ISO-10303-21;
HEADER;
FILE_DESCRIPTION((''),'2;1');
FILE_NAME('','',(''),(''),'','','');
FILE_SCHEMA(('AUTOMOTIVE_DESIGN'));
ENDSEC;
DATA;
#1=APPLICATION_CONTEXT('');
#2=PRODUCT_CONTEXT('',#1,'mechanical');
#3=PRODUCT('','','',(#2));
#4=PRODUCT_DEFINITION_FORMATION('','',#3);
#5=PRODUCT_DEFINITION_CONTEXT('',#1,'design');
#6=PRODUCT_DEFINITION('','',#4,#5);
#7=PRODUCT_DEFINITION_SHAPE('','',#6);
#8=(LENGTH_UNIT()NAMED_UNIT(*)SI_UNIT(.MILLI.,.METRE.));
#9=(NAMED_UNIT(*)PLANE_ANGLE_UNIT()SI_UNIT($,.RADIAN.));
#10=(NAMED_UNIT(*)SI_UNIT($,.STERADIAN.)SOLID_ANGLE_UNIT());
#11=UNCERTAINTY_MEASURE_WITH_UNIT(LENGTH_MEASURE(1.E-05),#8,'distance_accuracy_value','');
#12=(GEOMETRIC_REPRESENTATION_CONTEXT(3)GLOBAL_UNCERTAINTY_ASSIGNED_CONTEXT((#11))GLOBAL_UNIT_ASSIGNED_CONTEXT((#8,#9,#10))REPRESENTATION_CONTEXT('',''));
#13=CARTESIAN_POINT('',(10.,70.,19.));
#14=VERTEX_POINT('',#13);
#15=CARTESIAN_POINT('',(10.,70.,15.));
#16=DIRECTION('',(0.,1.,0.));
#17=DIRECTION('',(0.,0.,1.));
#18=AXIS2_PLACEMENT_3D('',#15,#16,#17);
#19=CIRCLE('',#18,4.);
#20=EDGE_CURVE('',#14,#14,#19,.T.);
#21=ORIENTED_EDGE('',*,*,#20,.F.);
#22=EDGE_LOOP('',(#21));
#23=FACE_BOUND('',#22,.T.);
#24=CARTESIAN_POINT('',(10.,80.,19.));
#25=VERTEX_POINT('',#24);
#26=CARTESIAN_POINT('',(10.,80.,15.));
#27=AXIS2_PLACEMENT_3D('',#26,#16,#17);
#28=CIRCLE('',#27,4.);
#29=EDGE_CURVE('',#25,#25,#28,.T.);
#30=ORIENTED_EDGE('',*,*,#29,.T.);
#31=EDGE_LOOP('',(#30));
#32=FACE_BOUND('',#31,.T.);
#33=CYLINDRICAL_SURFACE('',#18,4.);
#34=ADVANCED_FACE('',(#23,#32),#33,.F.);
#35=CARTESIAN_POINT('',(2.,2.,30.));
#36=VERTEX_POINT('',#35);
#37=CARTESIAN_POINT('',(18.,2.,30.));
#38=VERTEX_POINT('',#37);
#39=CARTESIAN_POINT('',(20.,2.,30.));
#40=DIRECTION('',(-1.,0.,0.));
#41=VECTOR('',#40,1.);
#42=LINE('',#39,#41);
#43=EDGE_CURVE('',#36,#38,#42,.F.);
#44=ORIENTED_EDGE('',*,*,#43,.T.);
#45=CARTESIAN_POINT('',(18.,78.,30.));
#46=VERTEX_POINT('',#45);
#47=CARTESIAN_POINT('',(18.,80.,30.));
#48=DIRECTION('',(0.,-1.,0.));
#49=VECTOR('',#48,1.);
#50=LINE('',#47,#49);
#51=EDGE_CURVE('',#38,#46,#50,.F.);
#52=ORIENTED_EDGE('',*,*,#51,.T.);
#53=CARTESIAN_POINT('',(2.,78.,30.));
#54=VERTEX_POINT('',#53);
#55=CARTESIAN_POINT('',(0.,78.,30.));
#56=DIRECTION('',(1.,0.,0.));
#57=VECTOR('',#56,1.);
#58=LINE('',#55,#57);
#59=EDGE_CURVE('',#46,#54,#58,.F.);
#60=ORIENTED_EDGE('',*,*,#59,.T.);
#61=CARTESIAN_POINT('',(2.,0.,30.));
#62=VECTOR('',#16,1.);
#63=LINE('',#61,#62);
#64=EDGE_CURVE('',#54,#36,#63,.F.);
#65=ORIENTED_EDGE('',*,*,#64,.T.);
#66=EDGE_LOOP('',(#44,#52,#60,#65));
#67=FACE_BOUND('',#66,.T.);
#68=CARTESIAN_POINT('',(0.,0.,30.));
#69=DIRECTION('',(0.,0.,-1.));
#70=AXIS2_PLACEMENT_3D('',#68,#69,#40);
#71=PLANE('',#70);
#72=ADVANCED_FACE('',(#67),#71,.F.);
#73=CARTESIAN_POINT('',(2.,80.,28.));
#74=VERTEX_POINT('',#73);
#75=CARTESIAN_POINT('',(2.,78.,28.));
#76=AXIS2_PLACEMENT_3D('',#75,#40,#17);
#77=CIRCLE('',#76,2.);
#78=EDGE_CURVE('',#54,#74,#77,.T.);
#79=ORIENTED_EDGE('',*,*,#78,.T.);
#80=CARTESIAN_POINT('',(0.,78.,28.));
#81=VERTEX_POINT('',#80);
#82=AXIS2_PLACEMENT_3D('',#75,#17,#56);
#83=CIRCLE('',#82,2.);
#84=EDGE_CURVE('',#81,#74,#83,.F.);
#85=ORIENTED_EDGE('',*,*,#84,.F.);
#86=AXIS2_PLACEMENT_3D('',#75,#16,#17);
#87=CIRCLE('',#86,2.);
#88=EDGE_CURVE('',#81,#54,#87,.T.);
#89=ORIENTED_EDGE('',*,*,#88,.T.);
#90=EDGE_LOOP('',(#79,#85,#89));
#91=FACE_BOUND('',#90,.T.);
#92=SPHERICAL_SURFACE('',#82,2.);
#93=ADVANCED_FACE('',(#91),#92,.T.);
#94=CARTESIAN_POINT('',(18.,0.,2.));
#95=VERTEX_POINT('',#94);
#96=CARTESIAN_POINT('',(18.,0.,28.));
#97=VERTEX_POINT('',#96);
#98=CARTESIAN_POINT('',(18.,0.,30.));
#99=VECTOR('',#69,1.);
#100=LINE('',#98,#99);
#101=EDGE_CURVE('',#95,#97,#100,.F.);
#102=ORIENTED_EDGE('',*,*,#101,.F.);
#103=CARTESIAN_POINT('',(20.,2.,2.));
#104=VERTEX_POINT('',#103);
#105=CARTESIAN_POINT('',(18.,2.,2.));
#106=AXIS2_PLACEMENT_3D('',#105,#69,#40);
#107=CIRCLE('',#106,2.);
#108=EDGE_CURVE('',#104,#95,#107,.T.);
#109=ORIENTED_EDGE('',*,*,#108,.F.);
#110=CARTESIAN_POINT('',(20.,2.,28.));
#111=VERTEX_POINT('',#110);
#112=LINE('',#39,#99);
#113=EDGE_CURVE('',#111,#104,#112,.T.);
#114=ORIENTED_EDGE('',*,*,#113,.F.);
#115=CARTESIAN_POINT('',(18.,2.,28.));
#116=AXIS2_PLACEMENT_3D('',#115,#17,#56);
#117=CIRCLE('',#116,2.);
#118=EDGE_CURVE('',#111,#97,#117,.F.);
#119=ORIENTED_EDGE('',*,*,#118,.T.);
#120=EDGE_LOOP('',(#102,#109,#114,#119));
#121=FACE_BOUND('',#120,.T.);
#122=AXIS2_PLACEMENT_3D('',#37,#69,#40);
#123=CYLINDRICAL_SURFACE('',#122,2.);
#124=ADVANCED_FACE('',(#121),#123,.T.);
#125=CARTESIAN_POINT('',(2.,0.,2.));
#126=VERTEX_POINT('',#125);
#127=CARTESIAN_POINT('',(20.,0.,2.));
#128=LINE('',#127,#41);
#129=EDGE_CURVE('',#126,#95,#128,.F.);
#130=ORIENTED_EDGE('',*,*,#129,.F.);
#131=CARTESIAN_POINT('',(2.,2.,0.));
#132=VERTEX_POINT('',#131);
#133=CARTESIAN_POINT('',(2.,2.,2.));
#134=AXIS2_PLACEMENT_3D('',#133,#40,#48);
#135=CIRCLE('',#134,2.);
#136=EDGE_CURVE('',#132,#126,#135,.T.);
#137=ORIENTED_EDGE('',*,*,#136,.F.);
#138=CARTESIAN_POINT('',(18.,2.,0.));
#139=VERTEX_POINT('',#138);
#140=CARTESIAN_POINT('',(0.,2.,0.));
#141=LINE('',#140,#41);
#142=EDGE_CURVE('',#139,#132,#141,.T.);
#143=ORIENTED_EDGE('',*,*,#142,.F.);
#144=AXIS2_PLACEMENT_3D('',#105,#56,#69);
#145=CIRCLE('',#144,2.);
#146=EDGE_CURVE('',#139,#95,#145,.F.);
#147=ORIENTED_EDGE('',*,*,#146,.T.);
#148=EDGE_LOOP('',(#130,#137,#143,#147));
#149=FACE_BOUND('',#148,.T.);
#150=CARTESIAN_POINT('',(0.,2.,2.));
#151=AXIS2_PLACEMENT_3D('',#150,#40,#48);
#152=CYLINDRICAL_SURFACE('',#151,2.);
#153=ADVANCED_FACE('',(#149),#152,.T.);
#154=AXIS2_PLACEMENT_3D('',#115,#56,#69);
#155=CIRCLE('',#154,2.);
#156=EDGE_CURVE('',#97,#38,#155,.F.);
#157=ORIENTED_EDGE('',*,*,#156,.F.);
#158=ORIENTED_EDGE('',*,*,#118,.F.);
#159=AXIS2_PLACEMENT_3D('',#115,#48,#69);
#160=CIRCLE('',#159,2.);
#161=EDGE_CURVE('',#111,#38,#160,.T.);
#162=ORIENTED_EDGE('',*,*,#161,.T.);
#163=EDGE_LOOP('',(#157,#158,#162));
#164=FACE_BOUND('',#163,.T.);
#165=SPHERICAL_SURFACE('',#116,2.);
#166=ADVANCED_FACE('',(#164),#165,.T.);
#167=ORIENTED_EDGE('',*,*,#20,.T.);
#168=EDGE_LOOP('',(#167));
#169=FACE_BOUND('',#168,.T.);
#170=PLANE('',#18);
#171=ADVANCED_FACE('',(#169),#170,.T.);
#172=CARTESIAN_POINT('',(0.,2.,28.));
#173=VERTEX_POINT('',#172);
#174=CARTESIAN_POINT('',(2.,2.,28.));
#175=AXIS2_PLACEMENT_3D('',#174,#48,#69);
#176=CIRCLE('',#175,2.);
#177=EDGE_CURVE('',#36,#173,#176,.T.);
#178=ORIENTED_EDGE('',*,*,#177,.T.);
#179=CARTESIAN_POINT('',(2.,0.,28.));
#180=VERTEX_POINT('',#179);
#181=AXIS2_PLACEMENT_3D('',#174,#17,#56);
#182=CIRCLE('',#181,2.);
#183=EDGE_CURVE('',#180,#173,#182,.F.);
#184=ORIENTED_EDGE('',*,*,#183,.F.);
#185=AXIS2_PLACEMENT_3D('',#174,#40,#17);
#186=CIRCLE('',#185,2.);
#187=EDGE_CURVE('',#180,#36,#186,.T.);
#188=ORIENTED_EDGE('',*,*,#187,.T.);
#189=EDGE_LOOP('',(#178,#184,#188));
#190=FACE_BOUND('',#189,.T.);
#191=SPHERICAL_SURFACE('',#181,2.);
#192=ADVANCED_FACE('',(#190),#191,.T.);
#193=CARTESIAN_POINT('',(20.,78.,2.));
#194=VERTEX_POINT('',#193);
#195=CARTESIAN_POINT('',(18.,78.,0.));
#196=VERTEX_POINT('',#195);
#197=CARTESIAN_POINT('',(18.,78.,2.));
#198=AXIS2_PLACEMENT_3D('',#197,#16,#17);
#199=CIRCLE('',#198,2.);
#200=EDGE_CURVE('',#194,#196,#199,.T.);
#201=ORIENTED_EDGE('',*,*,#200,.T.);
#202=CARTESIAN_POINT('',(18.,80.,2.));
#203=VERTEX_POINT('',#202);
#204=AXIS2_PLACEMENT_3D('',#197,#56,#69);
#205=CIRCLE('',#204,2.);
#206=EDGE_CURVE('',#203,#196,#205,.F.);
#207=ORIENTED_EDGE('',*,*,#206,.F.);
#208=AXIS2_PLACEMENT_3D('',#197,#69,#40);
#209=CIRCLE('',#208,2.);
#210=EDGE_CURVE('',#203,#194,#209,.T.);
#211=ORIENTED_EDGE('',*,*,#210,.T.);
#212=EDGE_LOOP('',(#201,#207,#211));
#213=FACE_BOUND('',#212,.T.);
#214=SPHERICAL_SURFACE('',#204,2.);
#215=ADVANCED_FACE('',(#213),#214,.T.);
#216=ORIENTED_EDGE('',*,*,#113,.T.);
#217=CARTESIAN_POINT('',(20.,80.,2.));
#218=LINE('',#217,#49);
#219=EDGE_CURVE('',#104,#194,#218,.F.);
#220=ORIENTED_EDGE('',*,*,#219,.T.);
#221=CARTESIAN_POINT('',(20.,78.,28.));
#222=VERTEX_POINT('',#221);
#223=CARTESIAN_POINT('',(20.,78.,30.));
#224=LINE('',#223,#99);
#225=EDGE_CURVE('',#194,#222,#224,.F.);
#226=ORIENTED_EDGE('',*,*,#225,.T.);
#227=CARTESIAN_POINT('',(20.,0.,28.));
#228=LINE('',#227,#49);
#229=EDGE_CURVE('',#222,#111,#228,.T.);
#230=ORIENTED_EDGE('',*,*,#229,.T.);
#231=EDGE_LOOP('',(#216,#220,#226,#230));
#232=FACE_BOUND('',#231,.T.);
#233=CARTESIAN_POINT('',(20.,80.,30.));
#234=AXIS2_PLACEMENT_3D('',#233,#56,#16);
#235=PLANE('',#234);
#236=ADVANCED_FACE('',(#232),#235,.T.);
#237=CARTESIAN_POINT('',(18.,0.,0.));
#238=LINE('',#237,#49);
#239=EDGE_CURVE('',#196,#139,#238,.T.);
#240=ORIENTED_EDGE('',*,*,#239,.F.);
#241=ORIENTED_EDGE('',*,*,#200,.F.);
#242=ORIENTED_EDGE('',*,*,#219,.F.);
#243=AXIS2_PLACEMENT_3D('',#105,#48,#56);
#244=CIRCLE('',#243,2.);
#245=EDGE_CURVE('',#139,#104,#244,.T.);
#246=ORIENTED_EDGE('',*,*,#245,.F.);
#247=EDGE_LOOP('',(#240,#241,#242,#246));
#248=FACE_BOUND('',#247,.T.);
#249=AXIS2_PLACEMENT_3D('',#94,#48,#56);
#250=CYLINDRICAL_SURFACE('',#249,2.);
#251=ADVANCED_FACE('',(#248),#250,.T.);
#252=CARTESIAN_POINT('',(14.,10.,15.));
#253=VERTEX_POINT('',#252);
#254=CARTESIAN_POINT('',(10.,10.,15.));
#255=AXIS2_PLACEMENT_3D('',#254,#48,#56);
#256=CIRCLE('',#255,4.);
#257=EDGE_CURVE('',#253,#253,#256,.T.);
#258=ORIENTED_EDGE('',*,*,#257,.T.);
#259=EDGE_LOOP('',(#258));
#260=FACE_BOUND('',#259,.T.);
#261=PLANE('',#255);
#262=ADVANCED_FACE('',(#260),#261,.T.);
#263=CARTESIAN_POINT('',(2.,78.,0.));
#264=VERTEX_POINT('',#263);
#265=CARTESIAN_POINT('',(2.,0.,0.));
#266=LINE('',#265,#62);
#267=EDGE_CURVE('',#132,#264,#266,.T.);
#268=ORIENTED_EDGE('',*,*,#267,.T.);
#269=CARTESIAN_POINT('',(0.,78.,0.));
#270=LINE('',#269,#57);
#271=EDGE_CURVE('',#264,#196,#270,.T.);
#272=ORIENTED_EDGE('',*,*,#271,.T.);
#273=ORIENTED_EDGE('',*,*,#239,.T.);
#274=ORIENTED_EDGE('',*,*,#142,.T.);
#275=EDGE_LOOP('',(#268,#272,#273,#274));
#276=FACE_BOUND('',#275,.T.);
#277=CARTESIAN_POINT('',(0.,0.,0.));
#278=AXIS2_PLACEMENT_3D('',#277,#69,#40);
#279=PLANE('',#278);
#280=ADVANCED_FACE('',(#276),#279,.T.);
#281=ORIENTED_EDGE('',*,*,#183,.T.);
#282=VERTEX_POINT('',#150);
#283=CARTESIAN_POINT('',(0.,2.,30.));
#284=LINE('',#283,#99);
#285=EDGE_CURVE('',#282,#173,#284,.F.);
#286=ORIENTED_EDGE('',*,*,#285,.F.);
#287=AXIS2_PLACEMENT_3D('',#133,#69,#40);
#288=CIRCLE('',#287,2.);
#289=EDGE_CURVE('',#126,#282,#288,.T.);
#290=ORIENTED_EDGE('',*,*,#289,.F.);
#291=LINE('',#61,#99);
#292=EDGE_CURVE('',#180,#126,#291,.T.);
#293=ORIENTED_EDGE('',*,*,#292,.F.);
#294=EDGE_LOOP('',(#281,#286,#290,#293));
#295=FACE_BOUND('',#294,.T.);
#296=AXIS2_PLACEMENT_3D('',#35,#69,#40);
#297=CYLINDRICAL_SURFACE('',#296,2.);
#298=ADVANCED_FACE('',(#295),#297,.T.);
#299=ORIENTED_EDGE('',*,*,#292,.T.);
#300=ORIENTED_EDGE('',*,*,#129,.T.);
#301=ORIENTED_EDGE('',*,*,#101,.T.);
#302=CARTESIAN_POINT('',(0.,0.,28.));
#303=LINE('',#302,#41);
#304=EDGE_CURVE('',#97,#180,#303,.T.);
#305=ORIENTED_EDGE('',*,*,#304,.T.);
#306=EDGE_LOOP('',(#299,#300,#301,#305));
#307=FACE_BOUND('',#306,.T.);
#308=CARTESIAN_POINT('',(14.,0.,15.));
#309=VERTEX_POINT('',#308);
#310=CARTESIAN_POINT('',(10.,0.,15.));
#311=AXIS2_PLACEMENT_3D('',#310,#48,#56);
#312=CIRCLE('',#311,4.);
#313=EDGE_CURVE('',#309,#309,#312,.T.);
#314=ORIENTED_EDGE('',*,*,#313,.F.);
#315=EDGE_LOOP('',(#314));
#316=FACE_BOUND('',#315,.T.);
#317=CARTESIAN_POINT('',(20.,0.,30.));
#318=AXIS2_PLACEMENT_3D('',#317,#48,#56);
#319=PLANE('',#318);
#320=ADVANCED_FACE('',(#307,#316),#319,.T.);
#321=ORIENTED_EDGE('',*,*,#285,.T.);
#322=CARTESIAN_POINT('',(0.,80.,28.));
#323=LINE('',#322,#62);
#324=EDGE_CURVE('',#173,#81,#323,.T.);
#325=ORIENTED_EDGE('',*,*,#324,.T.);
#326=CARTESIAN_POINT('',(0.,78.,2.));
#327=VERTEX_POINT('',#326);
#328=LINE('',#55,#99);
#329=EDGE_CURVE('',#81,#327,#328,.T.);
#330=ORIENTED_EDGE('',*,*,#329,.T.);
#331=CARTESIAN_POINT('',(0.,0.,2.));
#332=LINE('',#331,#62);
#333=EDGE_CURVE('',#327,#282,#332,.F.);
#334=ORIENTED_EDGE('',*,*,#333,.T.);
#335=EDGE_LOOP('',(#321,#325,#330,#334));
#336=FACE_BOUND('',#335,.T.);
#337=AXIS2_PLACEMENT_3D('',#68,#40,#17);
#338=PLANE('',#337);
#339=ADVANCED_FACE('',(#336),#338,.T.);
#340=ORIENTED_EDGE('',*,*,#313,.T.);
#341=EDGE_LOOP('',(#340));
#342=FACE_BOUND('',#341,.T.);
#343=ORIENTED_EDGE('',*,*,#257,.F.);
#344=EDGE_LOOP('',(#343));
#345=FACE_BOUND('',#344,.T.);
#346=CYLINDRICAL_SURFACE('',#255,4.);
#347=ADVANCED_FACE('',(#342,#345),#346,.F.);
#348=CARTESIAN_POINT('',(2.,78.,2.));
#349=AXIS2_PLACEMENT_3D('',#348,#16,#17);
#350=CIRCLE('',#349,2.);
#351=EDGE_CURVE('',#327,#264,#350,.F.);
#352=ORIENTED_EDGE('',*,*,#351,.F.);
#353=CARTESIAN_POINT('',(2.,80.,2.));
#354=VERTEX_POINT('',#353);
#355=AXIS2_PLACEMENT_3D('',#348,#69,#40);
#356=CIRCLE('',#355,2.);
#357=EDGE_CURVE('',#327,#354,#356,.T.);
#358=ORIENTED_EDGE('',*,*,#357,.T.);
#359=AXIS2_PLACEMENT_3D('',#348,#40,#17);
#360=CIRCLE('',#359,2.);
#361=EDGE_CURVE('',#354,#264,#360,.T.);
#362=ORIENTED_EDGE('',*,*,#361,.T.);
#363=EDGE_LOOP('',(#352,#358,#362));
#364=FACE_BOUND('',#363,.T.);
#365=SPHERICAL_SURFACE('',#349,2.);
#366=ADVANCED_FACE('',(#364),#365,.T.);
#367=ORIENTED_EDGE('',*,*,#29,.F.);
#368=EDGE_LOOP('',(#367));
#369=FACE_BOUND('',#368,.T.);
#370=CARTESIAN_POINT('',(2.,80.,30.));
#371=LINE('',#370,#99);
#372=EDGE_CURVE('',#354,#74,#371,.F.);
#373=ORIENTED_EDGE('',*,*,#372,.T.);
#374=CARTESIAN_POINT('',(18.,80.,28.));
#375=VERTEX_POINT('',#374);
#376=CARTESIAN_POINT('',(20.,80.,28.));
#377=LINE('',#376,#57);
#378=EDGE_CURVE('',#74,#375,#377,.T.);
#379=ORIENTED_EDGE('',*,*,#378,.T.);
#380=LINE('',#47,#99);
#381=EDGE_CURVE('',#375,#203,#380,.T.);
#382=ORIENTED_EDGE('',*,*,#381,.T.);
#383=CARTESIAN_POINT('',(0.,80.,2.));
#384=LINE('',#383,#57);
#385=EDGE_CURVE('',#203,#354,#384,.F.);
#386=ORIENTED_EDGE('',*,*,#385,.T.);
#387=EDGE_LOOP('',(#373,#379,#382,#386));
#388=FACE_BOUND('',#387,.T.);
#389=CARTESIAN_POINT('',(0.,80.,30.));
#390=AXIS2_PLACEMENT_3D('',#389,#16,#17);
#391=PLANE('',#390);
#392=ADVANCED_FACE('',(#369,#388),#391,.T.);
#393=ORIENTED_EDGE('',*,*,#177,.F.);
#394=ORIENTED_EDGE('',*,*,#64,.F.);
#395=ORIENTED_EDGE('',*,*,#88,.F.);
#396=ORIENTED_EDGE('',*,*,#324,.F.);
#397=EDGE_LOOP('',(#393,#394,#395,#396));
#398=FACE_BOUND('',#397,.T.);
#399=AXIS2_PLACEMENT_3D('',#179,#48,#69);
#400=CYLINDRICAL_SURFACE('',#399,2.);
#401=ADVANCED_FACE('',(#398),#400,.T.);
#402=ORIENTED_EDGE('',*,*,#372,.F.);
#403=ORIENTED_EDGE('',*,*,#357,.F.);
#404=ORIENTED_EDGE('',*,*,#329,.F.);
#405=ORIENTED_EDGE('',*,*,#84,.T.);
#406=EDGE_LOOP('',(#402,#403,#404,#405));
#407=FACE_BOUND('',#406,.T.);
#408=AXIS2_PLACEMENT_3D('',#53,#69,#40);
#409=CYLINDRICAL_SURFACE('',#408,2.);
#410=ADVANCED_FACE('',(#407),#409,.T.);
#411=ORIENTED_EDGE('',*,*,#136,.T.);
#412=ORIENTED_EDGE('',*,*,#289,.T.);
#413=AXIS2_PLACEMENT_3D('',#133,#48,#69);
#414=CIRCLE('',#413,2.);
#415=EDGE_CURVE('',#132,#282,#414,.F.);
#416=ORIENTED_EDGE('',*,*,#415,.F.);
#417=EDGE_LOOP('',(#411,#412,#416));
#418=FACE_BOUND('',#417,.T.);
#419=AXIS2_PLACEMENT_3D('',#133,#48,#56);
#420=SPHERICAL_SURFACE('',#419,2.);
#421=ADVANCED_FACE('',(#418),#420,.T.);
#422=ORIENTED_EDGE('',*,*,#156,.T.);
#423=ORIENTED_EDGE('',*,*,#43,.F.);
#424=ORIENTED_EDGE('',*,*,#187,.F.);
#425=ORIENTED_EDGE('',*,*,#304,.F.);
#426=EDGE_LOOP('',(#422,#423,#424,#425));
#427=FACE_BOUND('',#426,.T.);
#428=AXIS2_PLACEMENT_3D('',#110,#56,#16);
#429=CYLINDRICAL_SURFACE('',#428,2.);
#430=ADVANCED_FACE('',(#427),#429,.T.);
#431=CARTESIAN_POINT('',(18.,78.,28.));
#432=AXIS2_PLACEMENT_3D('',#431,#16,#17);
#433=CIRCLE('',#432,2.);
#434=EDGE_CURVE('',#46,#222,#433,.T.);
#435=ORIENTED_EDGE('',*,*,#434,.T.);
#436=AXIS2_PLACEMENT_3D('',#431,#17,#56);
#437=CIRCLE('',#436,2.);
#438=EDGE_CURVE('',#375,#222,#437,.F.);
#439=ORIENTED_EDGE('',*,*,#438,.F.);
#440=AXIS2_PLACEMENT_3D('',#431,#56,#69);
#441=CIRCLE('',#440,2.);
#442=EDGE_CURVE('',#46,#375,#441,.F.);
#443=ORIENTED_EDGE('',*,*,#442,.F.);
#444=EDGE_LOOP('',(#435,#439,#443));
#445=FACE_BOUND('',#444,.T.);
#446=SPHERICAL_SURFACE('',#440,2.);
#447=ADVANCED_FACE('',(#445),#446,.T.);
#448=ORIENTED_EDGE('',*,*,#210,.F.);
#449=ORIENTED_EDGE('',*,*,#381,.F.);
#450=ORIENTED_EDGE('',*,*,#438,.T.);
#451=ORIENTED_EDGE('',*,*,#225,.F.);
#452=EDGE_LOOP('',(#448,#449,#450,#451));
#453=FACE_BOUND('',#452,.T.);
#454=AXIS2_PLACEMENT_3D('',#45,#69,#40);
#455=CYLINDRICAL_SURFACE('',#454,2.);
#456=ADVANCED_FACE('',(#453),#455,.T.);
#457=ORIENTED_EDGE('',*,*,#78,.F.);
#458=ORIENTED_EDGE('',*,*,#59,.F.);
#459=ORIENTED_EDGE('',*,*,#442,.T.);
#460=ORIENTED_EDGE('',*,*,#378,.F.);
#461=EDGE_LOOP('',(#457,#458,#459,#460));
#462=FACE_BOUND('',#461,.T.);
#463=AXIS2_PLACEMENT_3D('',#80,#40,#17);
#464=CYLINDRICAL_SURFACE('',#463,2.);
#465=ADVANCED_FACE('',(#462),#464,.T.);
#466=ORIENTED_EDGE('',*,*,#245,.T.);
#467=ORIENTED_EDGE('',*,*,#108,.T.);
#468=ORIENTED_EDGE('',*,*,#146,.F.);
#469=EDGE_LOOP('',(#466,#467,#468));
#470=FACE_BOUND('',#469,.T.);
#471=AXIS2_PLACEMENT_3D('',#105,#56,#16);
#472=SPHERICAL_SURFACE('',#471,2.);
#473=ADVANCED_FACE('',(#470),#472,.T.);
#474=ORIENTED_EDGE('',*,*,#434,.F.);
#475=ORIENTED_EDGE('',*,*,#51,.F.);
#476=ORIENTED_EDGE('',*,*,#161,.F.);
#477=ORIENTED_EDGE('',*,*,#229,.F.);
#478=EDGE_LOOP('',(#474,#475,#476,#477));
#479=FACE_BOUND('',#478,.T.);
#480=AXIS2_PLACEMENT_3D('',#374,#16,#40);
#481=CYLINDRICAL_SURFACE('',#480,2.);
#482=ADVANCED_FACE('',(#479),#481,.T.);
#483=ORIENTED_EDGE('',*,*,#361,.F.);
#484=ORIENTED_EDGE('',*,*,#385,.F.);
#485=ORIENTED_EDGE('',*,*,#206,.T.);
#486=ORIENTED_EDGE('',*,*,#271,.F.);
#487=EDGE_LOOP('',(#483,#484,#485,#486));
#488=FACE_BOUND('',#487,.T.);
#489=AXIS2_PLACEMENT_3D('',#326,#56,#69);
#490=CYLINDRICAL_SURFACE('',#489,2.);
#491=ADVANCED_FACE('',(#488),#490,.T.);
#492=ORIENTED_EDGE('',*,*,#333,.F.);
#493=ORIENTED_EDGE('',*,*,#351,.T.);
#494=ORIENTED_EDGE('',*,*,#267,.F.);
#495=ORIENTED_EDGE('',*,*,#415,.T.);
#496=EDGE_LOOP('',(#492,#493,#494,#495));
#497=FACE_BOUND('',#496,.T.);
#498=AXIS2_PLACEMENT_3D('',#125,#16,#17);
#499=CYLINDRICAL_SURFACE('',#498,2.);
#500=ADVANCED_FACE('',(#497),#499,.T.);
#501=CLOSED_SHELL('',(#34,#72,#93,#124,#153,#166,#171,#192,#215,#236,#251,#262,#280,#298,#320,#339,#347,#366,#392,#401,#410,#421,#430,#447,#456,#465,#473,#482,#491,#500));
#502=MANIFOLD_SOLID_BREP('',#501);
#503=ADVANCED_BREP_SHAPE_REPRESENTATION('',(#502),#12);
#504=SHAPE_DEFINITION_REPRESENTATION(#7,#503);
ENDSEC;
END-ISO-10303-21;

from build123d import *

# Parameters (mm, degrees)
SKETCH1_W           = 20
SKETCH1_H           = 80
BOSS_EXTRUDE1_DEPTH = 30
FILLET1_R           = 2
SKETCH2_R           = 4
CUT_EXTRUDE1_DEPTH  = 10
CUT_EXTRUDE2_START  = -10
SKETCH3_R           = 4
CUT_EXTRUDE2_DEPTH  = 10


with BuildPart() as part:
    # Sketch1 → Boss-Extrude1 (new body)
    with BuildSketch(Plane.XY):
        with Locations((10, 40)):
            Rectangle(SKETCH1_W, SKETCH1_H)
    extrude(amount=BOSS_EXTRUDE1_DEPTH)

    # Fillet1
    fillet1_edges = [part.edges().sort_by_distance(p)[0] for p in [
        (10, 80, 30),
        (20, 40, 30),
        (10, 0, 30),
        (20, 40, 0),
        (10, 80, 0),
        (0, 40, 0),
        (10, 0, 0),
        (20, 0, 15),
        (20, 80, 15),
        (0, 80, 15),
        (0, 0, 15),
        (0, 40, 30),
    ]]
    fillet(fillet1_edges, radius=FILLET1_R)

    # Sketch2 → Cut-Extrude1 (cut)
    with BuildSketch(Plane(origin=(0, 80, 0), x_dir=(1, 0, 0), z_dir=(0, 1, 0))):
        with Locations(Location((10, -15, 0), (0, 0, 270))):
            Circle(SKETCH2_R)
    extrude(amount=-CUT_EXTRUDE1_DEPTH, mode=Mode.SUBTRACT)

    # Sketch3 → Cut-Extrude2 (cut)
    with BuildSketch(Plane.XZ.offset(CUT_EXTRUDE2_START)):
        with Locations(Location((10, 15, 0), (0, 0, 90))):
            Circle(SKETCH3_R)
    extrude(amount=CUT_EXTRUDE2_DEPTH, mode=Mode.SUBTRACT)


solid = part.part
